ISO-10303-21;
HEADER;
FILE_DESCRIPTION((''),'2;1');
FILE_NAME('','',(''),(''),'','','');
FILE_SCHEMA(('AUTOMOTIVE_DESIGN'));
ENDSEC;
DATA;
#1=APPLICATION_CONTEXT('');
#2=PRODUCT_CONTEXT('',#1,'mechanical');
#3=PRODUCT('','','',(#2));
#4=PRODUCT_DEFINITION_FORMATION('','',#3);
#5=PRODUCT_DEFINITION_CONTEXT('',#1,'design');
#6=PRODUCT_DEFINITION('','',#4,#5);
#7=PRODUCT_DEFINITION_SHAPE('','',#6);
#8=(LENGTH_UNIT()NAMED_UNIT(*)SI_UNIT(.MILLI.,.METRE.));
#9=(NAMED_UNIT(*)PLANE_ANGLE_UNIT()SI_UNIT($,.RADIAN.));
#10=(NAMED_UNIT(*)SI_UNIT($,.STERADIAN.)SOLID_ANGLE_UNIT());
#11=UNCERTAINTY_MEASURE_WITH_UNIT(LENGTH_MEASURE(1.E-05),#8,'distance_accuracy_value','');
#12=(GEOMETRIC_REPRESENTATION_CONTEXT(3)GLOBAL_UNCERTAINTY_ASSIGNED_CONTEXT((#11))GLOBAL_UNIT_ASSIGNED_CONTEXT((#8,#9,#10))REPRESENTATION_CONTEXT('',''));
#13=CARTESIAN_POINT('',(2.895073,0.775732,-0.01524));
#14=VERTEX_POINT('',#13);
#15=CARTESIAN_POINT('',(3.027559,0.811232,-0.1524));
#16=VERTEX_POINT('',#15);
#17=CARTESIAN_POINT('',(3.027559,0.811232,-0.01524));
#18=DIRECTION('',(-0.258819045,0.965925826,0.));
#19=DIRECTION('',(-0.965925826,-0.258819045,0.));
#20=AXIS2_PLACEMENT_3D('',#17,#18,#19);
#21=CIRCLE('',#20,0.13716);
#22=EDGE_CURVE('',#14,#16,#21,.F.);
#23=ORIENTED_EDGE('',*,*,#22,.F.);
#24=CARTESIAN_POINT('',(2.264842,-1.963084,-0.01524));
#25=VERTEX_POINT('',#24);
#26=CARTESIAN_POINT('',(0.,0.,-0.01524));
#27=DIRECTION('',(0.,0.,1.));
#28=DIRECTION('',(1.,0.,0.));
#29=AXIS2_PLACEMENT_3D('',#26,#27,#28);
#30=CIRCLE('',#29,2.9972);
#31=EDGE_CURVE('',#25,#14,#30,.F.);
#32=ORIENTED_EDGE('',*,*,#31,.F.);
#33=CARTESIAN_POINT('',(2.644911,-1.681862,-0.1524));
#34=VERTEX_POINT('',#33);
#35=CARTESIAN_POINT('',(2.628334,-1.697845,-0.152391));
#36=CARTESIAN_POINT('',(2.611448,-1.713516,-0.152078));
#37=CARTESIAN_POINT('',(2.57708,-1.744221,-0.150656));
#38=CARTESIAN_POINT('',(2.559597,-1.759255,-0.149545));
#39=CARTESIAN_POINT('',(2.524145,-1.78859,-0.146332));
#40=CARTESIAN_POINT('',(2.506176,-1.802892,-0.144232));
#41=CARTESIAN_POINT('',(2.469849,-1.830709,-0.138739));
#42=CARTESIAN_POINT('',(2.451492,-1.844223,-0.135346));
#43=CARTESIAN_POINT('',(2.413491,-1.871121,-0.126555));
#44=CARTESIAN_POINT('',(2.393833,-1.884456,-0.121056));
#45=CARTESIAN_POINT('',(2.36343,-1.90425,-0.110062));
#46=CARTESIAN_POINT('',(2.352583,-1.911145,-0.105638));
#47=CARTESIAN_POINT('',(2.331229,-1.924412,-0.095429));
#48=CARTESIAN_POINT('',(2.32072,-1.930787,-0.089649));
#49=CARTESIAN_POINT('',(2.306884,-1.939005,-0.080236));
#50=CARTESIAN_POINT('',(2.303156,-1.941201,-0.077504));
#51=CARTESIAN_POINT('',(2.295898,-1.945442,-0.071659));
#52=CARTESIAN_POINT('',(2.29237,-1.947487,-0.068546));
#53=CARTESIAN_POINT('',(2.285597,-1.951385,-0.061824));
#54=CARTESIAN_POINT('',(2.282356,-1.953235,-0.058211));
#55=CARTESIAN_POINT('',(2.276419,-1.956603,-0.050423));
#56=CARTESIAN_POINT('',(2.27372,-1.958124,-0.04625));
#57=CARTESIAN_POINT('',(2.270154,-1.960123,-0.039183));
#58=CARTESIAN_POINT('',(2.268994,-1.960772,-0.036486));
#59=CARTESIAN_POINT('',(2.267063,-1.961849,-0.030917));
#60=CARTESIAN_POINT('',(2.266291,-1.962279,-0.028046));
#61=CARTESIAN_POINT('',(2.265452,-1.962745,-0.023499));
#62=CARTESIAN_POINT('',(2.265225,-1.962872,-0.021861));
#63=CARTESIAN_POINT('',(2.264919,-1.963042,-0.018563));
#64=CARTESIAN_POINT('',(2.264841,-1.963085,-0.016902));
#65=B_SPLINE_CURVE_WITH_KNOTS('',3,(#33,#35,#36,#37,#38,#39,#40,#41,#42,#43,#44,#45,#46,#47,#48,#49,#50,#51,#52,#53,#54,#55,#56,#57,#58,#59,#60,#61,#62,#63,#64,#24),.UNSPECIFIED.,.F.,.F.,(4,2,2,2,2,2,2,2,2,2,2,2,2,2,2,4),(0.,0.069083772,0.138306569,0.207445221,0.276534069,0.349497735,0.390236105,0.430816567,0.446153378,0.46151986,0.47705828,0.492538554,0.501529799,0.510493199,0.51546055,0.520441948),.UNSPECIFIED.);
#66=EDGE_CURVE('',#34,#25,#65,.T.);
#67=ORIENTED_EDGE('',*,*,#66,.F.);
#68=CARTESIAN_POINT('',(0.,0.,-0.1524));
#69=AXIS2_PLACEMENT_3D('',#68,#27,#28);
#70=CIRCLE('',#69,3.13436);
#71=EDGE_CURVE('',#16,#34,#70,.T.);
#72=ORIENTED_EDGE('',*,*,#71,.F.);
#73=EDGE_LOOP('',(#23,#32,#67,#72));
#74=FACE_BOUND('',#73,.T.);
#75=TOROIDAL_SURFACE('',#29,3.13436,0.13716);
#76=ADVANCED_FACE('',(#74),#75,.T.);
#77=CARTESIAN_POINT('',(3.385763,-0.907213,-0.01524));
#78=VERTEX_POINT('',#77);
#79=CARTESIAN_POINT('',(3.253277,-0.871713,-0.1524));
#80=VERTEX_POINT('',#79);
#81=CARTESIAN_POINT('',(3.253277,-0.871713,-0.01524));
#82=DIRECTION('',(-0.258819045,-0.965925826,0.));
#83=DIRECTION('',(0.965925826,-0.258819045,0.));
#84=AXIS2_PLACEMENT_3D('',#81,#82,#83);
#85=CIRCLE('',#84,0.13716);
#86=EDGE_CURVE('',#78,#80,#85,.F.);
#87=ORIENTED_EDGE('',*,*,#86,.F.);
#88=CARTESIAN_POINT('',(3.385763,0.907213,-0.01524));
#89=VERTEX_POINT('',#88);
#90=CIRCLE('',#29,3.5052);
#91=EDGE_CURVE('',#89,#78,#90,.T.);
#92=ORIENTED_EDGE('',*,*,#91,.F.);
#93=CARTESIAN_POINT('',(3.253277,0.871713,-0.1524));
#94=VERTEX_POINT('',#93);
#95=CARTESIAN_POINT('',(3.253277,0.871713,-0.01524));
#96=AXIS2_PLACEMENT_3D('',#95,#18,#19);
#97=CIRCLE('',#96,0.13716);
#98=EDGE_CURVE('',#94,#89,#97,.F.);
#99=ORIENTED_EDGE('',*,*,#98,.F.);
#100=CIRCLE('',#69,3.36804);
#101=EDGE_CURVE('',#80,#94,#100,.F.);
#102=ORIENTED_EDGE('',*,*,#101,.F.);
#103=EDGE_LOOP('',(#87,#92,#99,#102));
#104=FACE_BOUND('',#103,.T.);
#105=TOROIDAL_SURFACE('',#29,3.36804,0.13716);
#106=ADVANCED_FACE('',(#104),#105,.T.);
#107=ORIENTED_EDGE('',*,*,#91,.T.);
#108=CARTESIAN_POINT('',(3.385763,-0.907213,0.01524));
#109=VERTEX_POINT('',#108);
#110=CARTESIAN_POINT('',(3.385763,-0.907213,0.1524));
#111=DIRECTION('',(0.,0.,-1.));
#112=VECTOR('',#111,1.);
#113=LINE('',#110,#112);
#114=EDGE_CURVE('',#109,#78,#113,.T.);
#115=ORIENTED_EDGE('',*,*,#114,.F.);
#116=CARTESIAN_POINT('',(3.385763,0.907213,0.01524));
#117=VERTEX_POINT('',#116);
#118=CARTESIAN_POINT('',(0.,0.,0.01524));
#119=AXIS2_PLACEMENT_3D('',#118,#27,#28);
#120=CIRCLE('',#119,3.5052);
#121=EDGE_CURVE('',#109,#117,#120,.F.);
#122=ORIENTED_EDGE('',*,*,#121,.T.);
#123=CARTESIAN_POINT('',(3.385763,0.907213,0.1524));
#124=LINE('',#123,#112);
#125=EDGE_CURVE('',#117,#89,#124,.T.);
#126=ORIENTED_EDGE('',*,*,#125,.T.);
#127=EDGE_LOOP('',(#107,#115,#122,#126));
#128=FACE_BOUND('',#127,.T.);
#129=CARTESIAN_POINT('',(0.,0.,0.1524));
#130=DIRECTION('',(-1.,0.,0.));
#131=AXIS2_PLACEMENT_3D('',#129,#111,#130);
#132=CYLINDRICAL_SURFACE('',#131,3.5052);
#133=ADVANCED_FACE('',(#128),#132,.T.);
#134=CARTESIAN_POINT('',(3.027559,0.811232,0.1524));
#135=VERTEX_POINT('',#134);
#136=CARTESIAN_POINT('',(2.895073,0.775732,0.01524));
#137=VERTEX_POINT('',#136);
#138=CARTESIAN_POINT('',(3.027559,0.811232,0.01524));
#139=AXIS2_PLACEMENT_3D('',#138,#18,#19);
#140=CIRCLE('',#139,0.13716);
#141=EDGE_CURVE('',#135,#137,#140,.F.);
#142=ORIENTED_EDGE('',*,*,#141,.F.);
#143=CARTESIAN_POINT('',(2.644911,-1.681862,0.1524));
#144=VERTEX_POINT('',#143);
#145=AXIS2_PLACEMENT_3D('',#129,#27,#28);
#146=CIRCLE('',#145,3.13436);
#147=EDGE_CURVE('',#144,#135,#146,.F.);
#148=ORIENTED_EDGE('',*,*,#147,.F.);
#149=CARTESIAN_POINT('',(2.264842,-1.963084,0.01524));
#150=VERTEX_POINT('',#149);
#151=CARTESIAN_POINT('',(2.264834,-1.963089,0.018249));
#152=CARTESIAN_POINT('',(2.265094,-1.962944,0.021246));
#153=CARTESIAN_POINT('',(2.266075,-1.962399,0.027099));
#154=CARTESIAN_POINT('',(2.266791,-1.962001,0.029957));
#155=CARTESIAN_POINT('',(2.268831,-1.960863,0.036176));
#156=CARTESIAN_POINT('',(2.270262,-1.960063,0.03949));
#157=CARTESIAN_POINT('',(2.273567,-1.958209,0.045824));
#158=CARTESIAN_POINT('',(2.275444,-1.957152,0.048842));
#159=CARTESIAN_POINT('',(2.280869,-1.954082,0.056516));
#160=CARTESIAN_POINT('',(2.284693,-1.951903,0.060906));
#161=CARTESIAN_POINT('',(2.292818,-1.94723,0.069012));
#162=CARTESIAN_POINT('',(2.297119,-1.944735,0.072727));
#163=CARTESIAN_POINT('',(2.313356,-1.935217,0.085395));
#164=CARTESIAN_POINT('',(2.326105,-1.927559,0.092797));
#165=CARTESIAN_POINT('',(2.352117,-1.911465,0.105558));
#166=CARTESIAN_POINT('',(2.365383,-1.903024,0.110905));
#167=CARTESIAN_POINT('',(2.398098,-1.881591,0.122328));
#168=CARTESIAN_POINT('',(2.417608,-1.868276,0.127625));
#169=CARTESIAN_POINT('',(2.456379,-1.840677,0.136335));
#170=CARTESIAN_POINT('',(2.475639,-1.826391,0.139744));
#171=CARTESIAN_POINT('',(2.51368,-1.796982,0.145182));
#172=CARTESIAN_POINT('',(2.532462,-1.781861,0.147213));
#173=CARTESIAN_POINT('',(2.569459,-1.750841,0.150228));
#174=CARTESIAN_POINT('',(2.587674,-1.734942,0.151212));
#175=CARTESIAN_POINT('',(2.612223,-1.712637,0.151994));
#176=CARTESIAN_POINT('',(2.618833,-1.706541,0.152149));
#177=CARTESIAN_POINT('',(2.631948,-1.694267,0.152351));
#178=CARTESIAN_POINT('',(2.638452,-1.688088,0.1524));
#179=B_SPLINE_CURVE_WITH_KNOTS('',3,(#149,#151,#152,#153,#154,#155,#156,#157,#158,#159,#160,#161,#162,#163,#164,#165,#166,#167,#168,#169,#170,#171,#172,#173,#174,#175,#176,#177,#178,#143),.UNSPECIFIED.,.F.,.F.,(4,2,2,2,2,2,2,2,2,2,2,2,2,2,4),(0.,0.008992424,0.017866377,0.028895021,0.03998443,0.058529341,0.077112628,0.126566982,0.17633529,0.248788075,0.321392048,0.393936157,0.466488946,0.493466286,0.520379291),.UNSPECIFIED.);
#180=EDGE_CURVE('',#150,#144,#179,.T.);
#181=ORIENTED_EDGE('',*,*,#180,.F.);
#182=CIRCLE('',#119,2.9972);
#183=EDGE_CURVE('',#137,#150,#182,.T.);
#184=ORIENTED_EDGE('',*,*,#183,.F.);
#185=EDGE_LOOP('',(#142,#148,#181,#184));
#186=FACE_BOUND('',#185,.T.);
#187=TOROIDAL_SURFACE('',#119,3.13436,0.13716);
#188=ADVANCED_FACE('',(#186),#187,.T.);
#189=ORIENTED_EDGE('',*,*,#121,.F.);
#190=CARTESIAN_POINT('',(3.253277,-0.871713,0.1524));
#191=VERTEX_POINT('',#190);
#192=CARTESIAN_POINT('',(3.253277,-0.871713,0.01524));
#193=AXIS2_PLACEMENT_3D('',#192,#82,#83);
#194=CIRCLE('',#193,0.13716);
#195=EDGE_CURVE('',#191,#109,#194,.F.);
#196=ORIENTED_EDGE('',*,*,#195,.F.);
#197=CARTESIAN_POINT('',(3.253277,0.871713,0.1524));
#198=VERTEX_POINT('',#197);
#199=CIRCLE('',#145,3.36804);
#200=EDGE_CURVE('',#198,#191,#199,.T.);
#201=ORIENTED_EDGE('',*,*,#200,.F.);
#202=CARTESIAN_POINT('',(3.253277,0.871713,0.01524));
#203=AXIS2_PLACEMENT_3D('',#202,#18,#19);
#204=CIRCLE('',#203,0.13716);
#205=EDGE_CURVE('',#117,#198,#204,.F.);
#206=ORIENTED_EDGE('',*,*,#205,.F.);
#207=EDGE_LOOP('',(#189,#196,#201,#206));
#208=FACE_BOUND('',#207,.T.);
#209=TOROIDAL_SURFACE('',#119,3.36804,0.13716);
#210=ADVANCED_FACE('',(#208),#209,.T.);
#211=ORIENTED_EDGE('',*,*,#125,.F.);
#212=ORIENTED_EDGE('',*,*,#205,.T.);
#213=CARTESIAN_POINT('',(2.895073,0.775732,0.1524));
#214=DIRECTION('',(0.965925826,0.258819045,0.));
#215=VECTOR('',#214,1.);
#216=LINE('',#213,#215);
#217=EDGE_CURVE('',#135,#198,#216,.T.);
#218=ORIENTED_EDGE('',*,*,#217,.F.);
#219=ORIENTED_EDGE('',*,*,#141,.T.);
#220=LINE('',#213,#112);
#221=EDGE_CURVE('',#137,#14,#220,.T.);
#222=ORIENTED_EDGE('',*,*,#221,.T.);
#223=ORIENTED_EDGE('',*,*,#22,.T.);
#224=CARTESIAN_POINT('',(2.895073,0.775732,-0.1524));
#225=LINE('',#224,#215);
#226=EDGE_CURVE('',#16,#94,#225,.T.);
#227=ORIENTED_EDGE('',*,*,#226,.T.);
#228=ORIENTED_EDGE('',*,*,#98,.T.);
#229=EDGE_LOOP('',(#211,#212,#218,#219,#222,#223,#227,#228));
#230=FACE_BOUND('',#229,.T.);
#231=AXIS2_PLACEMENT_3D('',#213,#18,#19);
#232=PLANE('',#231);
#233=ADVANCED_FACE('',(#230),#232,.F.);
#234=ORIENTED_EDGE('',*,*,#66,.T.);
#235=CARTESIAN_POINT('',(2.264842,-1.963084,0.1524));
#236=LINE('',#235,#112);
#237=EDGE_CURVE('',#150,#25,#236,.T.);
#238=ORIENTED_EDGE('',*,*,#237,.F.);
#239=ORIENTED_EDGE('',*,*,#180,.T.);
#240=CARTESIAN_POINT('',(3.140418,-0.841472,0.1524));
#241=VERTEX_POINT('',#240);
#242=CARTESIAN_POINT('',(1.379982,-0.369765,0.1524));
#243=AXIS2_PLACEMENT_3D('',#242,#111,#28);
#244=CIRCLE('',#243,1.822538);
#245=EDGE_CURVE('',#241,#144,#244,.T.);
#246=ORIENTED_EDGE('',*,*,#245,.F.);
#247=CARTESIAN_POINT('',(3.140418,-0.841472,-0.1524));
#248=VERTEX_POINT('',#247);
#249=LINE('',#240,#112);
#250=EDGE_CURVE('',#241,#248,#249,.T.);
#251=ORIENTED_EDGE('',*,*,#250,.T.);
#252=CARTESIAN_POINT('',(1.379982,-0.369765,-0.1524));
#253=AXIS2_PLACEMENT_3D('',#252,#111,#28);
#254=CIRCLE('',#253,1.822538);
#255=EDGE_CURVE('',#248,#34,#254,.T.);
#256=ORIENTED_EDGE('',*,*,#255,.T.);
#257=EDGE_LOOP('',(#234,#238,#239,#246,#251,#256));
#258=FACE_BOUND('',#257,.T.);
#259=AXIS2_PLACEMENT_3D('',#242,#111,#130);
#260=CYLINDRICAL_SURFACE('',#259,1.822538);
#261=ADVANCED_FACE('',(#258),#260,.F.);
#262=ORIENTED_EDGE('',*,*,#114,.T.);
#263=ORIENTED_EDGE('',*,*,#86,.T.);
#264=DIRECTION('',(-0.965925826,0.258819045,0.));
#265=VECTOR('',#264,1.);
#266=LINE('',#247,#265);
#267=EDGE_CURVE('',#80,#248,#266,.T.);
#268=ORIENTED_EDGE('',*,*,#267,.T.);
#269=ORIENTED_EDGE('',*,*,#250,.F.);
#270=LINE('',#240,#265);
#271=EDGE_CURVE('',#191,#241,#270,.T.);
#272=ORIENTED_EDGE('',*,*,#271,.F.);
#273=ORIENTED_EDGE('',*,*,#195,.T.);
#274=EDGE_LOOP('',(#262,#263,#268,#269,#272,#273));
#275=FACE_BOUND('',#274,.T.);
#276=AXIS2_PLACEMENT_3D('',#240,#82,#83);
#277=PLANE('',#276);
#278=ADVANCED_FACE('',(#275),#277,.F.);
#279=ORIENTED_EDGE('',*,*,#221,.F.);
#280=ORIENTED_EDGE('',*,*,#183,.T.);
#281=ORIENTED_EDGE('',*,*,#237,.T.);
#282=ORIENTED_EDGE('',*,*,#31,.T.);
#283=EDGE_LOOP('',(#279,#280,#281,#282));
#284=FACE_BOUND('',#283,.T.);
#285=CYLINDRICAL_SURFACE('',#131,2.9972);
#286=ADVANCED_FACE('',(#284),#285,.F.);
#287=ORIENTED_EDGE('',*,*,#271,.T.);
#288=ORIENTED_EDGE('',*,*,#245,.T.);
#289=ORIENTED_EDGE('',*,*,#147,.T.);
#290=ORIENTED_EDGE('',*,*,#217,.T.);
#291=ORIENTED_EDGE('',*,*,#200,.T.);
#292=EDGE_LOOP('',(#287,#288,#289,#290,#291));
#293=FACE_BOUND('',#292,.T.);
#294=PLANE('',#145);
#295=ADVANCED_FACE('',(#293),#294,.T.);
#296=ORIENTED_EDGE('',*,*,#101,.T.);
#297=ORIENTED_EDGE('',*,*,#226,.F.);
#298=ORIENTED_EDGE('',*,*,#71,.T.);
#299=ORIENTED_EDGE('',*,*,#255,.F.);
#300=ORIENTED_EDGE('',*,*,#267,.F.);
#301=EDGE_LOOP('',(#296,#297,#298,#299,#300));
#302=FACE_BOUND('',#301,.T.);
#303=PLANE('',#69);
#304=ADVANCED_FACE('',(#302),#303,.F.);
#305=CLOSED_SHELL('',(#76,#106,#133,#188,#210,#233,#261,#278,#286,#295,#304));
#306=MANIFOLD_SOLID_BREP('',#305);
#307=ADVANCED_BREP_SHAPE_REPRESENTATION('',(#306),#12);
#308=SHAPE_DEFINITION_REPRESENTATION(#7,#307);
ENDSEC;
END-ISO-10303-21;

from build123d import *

# Parameters (mm, degrees)
EXTRUDE1_DEPTH = 0.15239999999999998
FILLET1_R      = 0.13716


with BuildPart() as part:
    # Sketch2 → Extrude1 (new, symmetric)
    with BuildSketch(Plane.XY):
        with BuildLine():
            Line((3.140418046431012, -0.8414724794373154), (3.3857632063084426, -0.9072125168933589))
            ThreePointArc((3.3857632063084426, -0.9072125168933589), (-3.505200000000001, 4.3e-16), (3.3857632063084426, 0.9072125168933589))
            Line((3.3857632063084426, 0.9072125168933589), (2.895072886553593, 0.7757324419812774))
            ThreePointArc((2.895072886553593, 0.7757324419812774), (-2.920866106263664, 0.6721227784267793), (2.2648416082243603, -1.9630843918832563))
            ThreePointArc((2.2648416082243603, -1.9630843918832563), (2.81661020018612, -1.4912562075486206), (3.140418046431012, -0.8414724794373154))
        make_face()
    extrude(amount=EXTRUDE1_DEPTH, both=True)

    # Fillet1
    fillet1_edges = [part.edges().sort_by_distance(p)[0] for p in [
        (-3.5052000000000008, 2.55e-15, 0.15239999999999998),
        (-2.920866106263662, 0.6721227784267882, 0.15239999999999998),
        (-3.5052000000000008, 2.55e-15, -0.15239999999999998),
        (-2.920866106263662, 0.6721227784267882, -0.15239999999999998),
    ]]
    fillet(fillet1_edges, radius=FILLET1_R)


solid = part.part
